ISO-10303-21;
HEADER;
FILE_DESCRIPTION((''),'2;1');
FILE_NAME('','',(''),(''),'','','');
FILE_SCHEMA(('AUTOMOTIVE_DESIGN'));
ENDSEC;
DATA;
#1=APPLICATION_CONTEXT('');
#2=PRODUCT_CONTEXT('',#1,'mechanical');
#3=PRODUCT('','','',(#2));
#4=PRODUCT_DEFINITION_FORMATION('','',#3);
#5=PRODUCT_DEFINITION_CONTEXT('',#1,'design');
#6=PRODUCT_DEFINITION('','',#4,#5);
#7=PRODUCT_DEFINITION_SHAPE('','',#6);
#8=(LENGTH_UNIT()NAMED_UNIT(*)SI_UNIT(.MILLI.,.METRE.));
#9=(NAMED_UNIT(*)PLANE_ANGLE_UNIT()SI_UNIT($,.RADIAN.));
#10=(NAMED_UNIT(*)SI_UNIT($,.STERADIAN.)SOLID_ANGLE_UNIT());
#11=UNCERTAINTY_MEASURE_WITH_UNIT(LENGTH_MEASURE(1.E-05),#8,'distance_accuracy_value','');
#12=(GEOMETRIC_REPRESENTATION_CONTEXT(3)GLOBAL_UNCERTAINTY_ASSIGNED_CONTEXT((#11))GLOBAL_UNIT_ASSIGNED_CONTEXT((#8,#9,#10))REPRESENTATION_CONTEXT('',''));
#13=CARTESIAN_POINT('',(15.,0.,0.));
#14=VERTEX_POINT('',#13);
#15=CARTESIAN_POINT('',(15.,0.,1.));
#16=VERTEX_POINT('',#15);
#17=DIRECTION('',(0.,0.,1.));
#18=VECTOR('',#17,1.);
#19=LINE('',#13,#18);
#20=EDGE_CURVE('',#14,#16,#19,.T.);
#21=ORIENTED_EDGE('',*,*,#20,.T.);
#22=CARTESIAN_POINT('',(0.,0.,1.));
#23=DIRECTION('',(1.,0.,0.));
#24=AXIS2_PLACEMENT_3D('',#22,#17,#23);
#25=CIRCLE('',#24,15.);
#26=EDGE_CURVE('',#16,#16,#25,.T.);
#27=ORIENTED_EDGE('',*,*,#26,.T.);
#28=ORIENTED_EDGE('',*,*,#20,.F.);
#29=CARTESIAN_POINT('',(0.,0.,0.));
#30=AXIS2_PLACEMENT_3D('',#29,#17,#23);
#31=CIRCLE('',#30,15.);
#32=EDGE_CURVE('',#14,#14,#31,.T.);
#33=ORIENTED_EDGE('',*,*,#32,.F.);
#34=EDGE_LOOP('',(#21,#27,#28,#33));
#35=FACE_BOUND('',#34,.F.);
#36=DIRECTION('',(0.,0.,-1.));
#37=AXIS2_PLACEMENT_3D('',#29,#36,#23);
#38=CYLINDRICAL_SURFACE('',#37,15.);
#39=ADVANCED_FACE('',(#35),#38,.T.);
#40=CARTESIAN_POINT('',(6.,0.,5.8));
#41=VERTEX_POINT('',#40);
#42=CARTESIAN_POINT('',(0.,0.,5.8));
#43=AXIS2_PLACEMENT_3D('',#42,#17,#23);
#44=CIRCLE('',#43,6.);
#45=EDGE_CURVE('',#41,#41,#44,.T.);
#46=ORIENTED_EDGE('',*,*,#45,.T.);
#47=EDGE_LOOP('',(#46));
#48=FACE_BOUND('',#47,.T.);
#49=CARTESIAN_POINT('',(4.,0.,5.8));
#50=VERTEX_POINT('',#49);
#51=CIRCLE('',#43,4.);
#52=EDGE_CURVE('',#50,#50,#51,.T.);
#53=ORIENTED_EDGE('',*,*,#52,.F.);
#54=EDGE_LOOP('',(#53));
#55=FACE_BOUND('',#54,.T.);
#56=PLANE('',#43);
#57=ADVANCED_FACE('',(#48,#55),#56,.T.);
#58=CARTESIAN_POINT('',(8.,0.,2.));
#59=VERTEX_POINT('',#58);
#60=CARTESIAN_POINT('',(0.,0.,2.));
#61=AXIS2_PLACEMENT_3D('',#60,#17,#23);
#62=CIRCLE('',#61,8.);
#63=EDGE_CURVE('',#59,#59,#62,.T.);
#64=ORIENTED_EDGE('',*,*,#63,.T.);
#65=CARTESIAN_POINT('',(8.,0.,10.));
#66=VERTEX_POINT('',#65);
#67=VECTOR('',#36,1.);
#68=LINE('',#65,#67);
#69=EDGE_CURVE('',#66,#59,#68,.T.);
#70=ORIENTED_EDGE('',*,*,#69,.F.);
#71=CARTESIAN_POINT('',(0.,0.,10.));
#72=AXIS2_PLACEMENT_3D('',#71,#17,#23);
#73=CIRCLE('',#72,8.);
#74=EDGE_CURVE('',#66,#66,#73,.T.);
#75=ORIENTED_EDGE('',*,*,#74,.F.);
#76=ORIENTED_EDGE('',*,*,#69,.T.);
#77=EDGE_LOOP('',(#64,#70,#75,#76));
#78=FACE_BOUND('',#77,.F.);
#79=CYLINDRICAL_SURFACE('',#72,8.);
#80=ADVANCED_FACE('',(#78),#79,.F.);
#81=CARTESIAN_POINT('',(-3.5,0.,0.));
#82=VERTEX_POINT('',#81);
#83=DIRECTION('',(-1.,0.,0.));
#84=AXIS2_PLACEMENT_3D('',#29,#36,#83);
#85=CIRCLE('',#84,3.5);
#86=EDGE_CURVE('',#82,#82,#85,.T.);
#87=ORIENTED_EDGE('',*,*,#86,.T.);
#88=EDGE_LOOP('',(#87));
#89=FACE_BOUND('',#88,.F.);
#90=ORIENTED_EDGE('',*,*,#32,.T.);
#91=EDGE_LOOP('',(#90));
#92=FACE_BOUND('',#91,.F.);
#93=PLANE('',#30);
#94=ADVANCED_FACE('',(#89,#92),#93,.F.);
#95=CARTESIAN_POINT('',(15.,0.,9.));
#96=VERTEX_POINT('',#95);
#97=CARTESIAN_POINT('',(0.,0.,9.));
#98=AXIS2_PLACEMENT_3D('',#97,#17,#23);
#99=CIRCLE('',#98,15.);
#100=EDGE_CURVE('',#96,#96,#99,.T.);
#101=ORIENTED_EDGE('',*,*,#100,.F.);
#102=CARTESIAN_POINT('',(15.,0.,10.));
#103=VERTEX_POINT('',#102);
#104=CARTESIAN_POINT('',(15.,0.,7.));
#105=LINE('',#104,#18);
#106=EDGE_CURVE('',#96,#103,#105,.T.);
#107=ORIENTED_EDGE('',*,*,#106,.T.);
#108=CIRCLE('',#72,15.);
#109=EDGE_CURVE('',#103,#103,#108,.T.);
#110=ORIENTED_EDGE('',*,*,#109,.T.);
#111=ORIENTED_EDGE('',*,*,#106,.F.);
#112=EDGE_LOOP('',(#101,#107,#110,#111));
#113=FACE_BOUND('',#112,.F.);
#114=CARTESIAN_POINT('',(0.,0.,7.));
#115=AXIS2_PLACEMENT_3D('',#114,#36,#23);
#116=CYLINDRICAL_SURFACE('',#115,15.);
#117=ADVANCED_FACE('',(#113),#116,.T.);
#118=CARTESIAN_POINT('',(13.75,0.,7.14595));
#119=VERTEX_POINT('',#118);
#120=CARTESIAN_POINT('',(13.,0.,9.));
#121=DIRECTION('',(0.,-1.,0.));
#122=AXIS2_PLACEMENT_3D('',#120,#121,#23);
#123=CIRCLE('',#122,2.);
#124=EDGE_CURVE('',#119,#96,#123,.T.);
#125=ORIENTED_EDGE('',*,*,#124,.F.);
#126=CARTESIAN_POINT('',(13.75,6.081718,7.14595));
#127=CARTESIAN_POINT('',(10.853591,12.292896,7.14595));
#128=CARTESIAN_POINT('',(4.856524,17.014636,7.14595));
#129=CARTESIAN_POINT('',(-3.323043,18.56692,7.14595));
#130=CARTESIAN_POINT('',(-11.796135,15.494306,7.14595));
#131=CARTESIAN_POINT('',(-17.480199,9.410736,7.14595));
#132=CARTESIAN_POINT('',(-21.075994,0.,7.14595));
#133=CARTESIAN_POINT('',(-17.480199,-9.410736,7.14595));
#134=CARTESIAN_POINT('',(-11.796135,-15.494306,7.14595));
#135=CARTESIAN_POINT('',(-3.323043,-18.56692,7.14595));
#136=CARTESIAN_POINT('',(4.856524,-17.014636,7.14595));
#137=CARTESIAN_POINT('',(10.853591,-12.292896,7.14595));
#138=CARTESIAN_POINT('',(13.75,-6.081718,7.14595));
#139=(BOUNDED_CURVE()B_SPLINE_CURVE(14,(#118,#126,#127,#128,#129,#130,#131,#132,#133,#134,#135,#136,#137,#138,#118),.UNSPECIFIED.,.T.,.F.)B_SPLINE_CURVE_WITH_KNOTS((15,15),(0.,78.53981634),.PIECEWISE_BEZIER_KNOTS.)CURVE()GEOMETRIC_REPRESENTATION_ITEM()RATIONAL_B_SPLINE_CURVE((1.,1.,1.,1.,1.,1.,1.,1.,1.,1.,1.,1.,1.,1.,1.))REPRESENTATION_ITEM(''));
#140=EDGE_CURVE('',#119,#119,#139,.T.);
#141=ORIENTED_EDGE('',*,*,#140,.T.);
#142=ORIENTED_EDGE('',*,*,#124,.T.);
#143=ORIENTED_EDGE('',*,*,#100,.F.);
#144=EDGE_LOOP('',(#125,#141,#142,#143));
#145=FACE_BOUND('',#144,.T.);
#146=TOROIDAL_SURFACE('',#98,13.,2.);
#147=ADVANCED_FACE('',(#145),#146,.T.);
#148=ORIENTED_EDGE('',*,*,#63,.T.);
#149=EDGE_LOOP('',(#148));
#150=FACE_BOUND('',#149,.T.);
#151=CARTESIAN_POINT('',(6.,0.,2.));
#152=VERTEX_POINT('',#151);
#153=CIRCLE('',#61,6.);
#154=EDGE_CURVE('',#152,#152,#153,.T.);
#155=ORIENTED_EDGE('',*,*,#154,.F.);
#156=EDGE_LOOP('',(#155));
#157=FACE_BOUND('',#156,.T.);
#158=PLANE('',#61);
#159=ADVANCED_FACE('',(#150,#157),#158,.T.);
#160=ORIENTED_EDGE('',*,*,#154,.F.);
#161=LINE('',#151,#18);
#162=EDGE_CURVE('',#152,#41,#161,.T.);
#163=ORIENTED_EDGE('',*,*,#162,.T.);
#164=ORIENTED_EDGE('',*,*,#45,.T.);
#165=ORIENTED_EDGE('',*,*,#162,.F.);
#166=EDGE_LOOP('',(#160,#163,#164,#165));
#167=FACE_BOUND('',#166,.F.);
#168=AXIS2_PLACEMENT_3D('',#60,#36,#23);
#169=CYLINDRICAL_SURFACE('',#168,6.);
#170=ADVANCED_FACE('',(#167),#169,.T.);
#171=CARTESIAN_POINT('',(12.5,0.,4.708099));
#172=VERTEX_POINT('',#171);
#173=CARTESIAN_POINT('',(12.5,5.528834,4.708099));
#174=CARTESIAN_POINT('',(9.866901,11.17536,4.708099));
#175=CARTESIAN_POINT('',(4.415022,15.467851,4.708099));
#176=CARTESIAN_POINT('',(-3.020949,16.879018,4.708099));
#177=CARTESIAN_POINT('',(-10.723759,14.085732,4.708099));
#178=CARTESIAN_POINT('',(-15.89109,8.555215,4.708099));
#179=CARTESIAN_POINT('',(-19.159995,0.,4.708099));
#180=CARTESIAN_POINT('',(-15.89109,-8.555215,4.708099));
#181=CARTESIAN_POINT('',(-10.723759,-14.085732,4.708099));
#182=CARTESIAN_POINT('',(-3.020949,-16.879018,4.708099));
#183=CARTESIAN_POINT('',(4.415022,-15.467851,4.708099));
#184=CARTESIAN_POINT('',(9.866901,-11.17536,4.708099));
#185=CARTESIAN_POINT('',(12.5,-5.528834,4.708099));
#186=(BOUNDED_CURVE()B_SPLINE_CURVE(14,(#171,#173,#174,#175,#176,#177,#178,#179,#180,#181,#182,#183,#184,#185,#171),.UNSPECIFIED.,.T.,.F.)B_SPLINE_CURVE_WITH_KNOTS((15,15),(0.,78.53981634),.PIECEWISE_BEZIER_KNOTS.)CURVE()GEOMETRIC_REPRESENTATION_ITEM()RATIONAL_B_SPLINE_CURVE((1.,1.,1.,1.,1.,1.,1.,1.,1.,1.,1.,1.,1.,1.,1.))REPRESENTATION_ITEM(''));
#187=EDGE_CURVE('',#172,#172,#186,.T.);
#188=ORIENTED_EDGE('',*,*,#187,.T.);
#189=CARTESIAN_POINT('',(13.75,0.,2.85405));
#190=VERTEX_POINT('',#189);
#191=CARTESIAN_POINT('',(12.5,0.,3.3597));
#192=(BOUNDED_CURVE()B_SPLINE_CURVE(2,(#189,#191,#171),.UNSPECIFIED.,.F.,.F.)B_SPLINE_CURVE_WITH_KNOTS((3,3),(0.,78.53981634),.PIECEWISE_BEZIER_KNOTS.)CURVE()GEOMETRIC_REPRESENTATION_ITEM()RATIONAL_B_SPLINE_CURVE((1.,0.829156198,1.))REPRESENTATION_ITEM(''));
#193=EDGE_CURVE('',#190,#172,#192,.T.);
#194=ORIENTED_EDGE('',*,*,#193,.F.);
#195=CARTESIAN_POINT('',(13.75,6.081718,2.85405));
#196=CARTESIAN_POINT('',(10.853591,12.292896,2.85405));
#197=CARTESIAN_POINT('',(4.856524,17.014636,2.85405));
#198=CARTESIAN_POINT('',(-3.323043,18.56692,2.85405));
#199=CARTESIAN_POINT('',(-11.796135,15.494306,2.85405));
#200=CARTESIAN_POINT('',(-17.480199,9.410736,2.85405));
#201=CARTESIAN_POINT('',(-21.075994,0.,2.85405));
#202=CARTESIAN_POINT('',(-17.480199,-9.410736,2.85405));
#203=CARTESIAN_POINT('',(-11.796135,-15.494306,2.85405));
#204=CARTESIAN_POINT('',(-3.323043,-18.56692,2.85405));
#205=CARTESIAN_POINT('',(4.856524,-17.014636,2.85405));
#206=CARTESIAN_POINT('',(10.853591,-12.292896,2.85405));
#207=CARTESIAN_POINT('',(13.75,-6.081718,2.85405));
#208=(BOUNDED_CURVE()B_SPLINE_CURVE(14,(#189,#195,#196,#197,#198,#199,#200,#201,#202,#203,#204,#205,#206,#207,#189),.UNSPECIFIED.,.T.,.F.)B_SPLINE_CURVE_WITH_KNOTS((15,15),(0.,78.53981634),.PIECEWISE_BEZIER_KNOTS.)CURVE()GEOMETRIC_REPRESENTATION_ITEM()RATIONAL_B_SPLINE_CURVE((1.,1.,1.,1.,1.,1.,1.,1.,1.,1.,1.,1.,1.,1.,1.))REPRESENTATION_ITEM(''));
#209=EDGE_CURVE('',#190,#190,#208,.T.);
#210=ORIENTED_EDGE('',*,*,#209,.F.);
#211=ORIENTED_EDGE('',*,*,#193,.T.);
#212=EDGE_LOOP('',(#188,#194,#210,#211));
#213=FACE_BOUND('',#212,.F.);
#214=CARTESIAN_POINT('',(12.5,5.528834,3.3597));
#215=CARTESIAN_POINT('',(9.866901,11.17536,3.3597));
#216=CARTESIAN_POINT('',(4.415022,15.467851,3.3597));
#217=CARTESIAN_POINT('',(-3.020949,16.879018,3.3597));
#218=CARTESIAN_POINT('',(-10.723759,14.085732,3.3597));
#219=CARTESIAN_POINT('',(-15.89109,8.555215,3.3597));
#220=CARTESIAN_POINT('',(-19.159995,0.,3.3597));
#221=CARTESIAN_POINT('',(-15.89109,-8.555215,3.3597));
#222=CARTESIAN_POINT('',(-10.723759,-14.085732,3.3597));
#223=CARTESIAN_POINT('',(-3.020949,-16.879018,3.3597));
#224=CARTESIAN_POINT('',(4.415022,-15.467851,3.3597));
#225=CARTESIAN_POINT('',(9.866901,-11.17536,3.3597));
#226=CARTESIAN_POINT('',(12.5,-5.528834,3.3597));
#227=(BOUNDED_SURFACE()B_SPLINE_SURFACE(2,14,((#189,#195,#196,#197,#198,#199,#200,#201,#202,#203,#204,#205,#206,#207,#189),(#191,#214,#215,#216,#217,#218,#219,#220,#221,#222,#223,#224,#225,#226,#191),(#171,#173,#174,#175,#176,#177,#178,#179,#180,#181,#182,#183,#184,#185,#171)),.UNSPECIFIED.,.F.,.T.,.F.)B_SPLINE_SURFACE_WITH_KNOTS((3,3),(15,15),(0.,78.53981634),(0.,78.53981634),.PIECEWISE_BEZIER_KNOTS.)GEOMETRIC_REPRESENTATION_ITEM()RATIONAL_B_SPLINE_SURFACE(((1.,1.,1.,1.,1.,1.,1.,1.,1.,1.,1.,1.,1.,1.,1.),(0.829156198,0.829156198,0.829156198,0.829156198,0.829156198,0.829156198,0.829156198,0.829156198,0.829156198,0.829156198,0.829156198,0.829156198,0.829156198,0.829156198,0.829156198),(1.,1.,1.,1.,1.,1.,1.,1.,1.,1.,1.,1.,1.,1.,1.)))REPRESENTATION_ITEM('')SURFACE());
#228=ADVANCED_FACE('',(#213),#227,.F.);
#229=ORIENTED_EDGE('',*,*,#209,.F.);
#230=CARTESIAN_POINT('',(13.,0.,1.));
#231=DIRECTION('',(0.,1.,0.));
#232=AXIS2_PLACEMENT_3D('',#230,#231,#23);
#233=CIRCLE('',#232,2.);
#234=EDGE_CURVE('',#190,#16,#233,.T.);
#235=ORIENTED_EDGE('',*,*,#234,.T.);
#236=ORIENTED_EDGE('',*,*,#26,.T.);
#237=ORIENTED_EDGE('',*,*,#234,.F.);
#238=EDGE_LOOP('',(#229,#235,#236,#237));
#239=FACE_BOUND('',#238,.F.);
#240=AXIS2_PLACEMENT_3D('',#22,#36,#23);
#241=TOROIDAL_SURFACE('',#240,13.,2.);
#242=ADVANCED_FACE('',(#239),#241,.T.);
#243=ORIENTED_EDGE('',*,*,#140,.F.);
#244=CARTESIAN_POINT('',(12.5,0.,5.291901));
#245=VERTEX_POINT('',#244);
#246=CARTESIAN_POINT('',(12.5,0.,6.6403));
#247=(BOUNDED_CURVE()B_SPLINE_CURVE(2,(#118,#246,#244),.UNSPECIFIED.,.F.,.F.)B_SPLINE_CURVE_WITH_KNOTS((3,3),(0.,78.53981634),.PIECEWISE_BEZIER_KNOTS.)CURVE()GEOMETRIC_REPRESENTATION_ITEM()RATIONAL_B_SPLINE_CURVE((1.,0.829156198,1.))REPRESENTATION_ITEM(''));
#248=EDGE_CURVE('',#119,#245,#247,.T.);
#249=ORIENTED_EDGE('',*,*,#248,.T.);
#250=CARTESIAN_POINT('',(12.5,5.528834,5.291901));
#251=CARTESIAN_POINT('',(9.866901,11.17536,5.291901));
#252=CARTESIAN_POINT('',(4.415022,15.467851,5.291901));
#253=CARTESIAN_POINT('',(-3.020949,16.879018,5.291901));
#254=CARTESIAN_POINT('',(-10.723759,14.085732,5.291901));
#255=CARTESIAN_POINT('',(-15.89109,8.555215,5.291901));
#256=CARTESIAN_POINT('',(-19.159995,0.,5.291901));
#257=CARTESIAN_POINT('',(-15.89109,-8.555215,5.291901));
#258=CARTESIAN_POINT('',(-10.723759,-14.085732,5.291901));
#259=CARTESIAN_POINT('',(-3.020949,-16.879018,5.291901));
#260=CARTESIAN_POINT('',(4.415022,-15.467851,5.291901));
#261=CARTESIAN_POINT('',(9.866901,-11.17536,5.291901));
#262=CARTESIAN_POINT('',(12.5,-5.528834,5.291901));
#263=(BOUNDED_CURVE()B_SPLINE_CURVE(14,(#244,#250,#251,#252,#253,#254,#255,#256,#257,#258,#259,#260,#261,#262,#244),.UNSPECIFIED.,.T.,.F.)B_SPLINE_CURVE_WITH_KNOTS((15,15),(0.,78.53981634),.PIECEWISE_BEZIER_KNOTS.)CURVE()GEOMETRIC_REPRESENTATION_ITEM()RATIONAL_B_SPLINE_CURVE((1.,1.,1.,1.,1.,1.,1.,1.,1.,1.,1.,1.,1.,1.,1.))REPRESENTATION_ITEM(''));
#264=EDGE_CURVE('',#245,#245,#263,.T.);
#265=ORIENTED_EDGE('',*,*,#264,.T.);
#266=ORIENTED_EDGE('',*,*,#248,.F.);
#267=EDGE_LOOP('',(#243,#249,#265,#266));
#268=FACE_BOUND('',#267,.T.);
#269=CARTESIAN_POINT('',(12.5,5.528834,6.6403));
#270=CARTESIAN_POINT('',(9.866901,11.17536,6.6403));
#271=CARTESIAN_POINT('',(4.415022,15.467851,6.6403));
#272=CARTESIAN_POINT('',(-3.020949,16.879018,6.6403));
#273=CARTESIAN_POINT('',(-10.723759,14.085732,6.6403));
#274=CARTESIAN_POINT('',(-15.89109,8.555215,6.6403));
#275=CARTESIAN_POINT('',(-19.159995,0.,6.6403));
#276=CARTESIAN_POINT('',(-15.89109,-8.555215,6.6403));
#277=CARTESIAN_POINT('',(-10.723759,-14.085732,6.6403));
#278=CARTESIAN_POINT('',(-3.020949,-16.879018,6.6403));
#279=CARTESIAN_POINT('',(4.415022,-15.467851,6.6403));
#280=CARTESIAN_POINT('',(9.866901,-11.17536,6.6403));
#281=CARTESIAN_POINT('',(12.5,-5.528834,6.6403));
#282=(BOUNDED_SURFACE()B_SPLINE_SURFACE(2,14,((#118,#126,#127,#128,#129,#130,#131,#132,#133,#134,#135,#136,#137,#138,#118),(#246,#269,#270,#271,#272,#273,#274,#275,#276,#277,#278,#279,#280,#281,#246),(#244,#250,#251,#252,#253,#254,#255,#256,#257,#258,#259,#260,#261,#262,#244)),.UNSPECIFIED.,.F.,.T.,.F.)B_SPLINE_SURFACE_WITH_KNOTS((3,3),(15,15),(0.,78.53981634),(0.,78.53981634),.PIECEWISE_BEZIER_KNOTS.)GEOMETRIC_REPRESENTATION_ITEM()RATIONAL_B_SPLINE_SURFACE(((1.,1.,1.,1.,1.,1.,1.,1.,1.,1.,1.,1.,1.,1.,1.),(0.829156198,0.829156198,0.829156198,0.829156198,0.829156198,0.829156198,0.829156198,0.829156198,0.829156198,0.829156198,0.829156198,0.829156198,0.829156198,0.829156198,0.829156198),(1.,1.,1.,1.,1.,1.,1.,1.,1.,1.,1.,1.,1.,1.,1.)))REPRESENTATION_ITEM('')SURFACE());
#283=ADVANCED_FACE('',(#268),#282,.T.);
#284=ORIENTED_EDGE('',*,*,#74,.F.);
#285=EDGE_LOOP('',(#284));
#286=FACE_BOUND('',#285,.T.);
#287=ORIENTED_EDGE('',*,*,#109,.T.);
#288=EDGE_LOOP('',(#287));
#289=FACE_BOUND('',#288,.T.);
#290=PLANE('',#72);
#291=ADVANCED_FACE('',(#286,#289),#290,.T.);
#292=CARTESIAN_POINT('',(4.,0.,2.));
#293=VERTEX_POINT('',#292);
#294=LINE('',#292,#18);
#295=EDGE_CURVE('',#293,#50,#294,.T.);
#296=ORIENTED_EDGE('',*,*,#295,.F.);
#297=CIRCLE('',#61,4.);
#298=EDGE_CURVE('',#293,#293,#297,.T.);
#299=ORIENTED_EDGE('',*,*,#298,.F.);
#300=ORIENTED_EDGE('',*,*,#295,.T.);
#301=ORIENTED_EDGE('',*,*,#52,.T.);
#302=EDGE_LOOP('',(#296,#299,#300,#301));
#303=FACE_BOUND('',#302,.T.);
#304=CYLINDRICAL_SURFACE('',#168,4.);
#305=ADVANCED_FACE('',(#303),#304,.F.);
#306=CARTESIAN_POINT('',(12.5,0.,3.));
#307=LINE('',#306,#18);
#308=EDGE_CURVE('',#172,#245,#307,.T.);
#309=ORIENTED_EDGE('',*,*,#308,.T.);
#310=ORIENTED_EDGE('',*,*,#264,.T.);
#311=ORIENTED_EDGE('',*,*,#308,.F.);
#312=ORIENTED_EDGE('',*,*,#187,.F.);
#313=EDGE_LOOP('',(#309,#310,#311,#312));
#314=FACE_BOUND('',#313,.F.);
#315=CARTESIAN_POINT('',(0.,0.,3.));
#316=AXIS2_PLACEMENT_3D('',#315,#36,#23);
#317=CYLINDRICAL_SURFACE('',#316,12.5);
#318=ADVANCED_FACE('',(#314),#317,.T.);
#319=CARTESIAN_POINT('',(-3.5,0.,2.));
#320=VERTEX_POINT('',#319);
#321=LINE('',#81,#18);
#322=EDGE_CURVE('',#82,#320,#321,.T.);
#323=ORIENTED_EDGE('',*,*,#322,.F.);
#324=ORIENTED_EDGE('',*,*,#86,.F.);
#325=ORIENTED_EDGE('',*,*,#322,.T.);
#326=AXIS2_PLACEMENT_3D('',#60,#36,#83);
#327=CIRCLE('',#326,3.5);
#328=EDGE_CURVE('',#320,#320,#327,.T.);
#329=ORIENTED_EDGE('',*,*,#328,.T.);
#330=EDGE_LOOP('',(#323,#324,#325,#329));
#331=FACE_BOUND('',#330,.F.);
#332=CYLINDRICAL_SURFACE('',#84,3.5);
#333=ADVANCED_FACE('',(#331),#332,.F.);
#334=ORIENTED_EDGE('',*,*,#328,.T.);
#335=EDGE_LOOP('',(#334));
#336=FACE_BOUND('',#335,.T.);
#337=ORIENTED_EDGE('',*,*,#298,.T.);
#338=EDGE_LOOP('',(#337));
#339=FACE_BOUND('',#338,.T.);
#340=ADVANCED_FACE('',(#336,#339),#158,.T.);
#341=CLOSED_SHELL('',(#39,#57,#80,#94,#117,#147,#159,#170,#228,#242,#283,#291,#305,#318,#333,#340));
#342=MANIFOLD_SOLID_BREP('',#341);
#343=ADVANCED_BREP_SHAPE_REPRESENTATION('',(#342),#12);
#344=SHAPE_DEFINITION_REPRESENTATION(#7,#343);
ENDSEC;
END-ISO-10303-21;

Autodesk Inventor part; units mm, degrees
ref_plane "YZ Plane" through (0, 0, 0) normal (1, 0, 0) x (0, 1, 0)
ref_plane "XZ Plane" through (0, 0, 0) normal (0, 1, 0) x (-1, 0, 0)
ref_plane "XY Plane" through (0, 0, 0) normal (0, 0, 1) x (1, 0, 0)
sketch "Sketch1" plane through (0, 0, 0) normal (0, 0, 1) x (1, 0, 0)
  circle A0 centre (0, 0) radius 15
  dimension "d0" = 30
extrude "Extrusion1" add sketch "Sketch1" along normal blind 3
sketch "Sketch2" plane through (0, 0, 3) normal (0, 0, 1) x (1, 0, 0)
  circle A0 centre (0, 0) radius 15 projected
  circle A1 centre (0, 0) radius 12.5
  dimension "d4" = 25
extrude "Extrusion2" add sketch "Sketch2" along normal blind 4 contours A1
sketch "Sketch3" plane through (0, 0, 7) normal (0, 0, 1) x (1, 0, 0)
  circle A0 centre (0, 0) radius 12.5 projected
  circle A1 centre (0, 0) radius 15
extrude "Extrusion3" add sketch "Sketch3" along normal blind 3 contours A0 | A1
fillet "Fillet1" radius 2 4 edges at (-15, 0, 3) (-12.5, 0, 3) (-15, 0, 7) (-12.5, 0, 7)
sketch "Sketch5" plane through (0, 0, 0) normal (0, 0, -1) x (-1, 0, 0)
  circle A0 centre (0, 0) radius 15 projected
  circle A1 centre (0, 0) radius 3.5
  dimension "d15" = 7
extrude "Extrusion5" cut sketch "Sketch5" against normal blind 4 contours A1
sketch "Sketch6" plane through (0, 0, 4) normal (0, 0, -1) x (-1, 0, 0)
  circle A0 centre (0, 0) radius 3.5 projected
  circle A1 centre (0, 0) radius 3.6
  dimension "d19" = 7.2
extrude "Extrusion6" cut sketch "Sketch6" against normal blind 4 contours A0 | A1
sketch "Sketch7" plane through (0, 0, 10) normal (0, 0, 1) x (1, 0, 0)
  circle A0 centre (0, 0) radius 15 projected
  circle A1 centre (0, 0) radius 8
  dimension "d24" = 16
extrude "Extrusion7" cut sketch "Sketch7" against normal blind 8 contours A1
sketch "Sketch8" plane through (0, 0, 2) normal (0, 0, 1) x (1, 0, 0)
  circle A0 centre (0, 0) radius 8 projected
  circle A1 centre (0, 0) radius 6
  circle A2 centre (0, 0) radius 4
  dimension "d28" = 12
  dimension "d30" = 8
extrude "Extrusion8" add sketch "Sketch8" along normal blind 3.8 contours A1
properties part number "Wire guidance wheelV2"
